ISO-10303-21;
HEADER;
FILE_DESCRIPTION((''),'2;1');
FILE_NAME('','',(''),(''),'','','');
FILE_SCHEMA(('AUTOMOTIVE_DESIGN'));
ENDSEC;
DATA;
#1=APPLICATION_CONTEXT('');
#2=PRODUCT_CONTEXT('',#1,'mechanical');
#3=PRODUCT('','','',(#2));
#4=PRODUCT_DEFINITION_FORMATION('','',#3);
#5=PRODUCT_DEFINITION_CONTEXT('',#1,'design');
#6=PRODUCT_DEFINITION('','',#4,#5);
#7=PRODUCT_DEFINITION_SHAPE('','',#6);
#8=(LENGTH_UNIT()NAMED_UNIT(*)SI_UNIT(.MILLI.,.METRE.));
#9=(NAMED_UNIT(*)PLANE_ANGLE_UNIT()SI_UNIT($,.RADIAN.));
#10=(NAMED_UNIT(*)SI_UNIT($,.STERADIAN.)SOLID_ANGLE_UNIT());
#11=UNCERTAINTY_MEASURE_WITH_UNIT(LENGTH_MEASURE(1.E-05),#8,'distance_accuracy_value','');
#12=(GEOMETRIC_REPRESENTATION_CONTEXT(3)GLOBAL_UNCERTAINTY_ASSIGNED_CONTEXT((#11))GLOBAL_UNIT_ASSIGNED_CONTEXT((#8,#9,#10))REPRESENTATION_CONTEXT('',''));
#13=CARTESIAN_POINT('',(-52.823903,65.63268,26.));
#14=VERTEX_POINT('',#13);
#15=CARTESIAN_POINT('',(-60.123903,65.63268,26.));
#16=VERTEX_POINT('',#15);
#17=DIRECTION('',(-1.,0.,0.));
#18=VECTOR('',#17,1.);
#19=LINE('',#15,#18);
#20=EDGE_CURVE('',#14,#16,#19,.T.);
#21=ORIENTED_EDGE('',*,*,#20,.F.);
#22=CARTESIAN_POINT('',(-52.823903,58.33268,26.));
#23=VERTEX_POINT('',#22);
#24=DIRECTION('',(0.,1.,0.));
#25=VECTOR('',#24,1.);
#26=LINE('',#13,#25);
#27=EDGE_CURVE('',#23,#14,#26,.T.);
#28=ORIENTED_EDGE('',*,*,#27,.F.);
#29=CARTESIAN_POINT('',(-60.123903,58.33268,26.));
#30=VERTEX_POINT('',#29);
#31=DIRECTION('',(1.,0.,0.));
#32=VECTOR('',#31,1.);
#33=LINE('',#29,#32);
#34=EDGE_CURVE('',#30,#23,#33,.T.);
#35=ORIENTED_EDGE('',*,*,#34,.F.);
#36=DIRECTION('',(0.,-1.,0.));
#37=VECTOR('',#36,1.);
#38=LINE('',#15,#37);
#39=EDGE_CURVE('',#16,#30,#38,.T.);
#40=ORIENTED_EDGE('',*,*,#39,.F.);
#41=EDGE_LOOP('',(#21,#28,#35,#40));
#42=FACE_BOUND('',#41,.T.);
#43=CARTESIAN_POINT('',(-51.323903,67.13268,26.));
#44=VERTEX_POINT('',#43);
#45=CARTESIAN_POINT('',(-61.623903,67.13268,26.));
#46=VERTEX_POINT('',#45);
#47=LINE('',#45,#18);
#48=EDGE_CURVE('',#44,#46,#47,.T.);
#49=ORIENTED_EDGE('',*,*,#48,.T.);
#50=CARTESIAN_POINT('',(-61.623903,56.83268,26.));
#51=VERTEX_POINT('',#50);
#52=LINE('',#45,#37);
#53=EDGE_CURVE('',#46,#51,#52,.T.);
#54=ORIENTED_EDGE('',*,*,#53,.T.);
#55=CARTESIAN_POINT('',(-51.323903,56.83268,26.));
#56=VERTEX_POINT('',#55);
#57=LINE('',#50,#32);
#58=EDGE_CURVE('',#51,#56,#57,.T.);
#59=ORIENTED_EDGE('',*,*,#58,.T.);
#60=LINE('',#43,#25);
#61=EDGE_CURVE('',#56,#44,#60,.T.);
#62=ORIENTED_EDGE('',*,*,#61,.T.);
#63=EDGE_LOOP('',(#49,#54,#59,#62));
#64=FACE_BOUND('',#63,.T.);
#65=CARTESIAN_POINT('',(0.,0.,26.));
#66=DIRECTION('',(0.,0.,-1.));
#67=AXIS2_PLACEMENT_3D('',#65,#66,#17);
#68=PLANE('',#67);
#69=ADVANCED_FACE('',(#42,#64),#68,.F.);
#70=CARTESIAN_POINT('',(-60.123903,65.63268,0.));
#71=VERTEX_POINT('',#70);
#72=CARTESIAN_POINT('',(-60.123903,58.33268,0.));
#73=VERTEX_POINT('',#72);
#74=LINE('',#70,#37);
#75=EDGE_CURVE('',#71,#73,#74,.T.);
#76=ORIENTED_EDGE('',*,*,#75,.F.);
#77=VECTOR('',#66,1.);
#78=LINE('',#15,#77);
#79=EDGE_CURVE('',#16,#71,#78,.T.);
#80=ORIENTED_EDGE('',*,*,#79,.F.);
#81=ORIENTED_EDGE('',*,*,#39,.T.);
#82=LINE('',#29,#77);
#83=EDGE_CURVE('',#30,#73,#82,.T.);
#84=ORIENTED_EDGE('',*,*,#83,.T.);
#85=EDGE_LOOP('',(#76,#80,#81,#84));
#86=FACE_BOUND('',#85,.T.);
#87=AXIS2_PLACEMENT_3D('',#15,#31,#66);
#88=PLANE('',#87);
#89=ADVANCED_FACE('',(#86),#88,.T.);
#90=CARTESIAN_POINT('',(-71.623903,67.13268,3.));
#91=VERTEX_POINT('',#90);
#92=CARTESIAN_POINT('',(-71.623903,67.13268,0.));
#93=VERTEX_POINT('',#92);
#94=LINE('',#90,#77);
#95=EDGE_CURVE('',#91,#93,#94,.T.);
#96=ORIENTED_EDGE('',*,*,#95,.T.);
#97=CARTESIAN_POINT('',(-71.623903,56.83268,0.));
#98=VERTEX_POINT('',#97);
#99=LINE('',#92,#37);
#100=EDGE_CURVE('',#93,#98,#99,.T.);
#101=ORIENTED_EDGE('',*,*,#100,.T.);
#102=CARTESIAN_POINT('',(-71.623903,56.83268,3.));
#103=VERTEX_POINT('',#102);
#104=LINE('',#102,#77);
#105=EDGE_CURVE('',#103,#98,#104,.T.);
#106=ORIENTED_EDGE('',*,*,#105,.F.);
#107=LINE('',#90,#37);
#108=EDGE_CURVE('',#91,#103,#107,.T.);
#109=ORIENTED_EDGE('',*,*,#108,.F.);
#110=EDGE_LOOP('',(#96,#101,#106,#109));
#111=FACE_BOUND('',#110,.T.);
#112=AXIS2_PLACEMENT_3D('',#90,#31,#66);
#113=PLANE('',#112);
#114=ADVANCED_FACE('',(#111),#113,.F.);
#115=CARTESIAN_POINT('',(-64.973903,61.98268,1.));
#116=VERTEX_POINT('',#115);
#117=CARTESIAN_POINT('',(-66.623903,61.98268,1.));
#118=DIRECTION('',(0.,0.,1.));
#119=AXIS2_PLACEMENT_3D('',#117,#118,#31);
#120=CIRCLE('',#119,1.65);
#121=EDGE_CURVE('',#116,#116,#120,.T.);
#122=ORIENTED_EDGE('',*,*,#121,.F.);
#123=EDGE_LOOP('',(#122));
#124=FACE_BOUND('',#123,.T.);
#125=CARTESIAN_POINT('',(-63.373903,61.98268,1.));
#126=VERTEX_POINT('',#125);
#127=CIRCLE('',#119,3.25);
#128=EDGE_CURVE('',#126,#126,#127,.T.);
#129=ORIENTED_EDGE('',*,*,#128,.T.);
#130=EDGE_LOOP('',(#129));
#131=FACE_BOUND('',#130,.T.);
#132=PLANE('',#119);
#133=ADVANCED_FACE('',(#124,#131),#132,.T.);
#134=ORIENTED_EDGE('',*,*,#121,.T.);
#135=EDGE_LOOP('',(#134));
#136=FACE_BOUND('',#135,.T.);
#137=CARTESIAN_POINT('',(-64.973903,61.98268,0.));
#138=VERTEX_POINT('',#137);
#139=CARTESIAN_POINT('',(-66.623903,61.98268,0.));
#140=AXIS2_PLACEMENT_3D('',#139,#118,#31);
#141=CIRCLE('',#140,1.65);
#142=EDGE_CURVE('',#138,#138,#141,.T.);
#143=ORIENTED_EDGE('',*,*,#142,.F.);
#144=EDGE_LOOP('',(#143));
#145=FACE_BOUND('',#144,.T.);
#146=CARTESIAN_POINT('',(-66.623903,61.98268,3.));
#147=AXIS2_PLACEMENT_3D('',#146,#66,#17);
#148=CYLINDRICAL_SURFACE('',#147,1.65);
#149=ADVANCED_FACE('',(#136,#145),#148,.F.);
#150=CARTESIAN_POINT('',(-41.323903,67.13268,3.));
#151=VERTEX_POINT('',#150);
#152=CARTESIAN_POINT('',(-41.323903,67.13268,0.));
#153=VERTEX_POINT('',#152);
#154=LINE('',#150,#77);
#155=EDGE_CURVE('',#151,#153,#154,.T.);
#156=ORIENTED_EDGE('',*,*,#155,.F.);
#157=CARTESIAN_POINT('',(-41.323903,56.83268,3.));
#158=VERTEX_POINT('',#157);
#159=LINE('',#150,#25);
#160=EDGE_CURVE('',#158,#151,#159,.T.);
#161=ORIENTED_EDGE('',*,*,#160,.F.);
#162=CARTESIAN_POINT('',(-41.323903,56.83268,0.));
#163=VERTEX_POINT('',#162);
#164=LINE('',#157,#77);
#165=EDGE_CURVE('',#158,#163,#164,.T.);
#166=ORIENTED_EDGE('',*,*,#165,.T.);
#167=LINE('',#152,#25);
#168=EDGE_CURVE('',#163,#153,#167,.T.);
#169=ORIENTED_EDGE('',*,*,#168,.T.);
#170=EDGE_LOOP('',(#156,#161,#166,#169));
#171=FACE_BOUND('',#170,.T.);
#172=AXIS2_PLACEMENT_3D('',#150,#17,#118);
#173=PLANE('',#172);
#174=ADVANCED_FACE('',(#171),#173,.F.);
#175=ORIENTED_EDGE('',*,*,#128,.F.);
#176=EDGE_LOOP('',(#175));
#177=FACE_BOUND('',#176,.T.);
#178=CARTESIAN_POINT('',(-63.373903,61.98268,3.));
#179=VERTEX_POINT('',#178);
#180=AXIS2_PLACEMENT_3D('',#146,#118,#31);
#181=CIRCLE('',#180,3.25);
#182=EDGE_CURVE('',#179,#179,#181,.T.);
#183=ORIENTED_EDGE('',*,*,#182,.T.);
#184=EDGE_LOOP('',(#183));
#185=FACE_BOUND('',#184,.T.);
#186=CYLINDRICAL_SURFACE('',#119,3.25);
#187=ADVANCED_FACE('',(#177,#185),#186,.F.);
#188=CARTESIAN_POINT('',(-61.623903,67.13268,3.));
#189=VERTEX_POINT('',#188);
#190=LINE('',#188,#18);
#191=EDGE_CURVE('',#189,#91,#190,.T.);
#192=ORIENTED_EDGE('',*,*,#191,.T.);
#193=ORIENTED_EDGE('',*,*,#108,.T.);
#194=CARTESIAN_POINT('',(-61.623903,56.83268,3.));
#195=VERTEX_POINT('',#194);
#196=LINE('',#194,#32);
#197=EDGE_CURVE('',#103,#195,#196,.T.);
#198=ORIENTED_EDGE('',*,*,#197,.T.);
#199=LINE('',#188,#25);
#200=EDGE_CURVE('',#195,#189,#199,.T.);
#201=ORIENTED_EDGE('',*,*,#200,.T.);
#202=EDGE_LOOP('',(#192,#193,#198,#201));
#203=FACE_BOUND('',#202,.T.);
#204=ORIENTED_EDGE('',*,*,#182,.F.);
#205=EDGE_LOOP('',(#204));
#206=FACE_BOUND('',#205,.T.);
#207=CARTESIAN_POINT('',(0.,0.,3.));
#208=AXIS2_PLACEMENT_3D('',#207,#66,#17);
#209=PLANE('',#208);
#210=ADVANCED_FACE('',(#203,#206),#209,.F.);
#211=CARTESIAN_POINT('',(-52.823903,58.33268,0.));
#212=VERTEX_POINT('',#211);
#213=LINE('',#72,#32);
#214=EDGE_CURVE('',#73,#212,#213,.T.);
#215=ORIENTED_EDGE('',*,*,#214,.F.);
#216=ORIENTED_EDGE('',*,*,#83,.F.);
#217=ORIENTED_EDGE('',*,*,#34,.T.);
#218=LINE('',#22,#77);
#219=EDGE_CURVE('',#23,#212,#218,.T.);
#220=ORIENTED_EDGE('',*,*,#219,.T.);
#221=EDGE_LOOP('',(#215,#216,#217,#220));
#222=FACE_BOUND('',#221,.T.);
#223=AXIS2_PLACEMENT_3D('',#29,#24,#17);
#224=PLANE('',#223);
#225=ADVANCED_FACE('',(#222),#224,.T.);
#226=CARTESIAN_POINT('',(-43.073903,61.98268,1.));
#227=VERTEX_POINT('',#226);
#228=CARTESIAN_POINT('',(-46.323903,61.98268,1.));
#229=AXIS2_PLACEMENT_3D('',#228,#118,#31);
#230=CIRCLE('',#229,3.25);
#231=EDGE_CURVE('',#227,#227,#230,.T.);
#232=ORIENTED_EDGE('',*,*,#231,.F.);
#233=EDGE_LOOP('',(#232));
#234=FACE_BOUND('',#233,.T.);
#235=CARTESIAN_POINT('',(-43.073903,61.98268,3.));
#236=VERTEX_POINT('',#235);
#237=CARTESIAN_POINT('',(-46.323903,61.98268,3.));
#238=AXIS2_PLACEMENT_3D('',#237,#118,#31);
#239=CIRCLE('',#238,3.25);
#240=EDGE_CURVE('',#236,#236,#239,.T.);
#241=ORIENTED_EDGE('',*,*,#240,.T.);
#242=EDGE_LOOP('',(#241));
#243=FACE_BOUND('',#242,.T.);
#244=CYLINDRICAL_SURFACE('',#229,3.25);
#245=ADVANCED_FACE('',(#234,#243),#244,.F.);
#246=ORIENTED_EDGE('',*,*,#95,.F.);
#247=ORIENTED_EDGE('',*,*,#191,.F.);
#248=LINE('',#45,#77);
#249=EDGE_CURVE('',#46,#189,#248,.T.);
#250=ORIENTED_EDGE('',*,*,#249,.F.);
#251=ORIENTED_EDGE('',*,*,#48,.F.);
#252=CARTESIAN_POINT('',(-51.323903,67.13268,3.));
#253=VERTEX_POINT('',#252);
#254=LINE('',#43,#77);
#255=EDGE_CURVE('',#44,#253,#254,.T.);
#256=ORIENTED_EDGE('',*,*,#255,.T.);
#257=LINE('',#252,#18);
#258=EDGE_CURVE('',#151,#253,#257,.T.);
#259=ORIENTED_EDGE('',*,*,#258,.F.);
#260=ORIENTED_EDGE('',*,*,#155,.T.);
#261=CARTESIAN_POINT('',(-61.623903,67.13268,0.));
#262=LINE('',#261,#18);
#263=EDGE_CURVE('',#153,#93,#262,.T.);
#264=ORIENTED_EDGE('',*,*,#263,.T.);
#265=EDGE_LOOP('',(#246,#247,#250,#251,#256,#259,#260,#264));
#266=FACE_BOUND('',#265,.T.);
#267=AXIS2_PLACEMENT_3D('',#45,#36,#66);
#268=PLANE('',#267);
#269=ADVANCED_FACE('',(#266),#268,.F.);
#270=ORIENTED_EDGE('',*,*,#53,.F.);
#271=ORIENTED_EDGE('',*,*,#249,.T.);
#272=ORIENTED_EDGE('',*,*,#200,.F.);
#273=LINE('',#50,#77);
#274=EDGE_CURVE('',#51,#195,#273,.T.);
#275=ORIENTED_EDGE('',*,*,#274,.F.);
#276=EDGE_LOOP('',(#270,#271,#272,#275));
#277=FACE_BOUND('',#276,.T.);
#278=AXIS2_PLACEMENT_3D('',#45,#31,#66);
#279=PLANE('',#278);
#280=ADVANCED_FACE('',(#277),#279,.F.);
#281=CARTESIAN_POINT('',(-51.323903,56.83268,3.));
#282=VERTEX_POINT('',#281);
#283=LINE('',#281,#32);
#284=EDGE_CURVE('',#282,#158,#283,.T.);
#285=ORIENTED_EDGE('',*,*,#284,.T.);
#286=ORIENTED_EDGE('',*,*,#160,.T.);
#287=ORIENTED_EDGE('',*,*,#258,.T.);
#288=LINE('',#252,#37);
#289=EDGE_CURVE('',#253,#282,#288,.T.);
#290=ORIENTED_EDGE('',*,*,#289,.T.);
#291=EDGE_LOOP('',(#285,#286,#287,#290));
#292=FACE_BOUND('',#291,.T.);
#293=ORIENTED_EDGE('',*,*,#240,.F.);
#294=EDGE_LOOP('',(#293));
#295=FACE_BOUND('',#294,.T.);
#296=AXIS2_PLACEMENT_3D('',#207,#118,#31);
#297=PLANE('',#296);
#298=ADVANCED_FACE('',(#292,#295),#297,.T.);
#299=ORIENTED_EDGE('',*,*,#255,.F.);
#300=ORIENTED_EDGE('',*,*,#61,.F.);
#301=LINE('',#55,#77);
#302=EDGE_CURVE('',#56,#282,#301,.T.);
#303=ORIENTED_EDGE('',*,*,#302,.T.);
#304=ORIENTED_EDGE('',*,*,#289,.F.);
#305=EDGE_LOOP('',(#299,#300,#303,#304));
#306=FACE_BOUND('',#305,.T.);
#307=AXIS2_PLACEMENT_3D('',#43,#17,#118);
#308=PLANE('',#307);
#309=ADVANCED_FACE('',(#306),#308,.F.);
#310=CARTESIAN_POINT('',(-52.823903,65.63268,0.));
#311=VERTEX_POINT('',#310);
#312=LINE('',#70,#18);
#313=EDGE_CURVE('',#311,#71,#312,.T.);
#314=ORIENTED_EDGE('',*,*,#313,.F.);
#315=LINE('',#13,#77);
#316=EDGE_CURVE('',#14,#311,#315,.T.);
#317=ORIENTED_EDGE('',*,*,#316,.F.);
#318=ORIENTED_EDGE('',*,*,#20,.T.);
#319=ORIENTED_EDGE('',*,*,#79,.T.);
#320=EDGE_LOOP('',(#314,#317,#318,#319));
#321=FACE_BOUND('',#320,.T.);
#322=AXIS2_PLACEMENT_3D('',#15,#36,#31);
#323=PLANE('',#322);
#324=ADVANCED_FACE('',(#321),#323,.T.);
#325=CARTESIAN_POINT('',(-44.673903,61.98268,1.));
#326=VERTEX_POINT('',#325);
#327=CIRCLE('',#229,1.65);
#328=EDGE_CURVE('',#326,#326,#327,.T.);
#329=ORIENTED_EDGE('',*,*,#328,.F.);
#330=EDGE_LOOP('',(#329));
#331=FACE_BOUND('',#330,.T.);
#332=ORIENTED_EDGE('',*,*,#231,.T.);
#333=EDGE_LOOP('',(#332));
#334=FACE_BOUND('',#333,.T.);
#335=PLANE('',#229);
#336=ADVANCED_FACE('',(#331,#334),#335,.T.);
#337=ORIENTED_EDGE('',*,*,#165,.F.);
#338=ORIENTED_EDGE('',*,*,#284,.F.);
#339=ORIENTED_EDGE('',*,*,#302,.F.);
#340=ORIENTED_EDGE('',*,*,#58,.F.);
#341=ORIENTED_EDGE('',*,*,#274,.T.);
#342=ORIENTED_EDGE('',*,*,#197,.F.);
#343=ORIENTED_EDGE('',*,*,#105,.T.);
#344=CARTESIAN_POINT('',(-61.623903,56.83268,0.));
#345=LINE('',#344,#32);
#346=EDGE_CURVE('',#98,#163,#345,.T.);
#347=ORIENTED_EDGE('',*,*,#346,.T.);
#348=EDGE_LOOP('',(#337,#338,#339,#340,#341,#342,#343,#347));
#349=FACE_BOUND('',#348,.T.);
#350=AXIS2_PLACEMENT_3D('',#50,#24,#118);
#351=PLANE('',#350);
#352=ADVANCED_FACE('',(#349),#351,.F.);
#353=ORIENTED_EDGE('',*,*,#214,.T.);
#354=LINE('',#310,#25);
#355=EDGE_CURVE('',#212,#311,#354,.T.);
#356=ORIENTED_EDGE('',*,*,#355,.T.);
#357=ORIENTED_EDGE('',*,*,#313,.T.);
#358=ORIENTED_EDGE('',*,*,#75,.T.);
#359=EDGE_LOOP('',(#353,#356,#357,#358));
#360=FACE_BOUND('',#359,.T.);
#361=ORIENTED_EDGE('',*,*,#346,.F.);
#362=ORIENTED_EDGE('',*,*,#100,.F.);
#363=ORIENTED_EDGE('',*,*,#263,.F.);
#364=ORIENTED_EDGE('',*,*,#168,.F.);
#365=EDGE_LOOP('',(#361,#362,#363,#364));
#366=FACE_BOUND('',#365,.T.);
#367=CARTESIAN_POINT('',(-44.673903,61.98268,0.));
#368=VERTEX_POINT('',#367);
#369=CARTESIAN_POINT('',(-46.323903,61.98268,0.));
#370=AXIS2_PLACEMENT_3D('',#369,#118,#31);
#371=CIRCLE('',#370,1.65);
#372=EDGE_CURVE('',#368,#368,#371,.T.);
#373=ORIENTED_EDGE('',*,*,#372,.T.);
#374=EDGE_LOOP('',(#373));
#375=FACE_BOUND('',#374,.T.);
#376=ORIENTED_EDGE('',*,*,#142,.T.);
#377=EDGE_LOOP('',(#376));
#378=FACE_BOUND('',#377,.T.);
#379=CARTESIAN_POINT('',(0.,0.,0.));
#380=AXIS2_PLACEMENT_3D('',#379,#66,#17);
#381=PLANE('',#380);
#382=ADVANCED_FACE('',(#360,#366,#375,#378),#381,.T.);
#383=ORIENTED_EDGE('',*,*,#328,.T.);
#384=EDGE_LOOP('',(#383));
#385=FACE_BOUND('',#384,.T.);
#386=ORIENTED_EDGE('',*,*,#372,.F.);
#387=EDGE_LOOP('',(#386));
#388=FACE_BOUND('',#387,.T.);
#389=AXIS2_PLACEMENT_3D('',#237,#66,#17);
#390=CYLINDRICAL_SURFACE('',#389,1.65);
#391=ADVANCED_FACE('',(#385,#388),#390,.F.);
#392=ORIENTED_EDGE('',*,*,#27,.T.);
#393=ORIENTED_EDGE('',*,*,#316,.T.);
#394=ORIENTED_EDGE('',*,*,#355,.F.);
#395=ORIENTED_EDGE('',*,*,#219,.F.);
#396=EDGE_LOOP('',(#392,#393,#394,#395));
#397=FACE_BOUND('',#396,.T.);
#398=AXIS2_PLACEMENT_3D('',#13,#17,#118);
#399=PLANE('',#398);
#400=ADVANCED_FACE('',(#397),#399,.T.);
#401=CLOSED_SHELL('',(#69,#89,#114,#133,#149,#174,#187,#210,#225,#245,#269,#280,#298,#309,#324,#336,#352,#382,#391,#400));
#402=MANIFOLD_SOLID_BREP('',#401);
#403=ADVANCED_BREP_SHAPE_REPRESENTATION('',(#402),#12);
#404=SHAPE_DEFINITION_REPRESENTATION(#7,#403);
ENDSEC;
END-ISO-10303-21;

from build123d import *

# Parameters (mm, degrees)
CROQUIS1_W              = 10.3
CROQUIS1_H              = 10.3
CROQUIS1_W_2            = 7.3
CROQUIS1_H_2            = 7.3
SALIENTE_EXTRUIR1_DEPTH = 26
CROQUIS2_W              = 10
CROQUIS2_H              = 10.3
CROQUIS2_R              = 1.65
SALIENTE_EXTRUIR2_DEPTH = 3
CROQUIS3_R              = 3.25
CORTAR_EXTRUIR1_DEPTH   = 2


with BuildPart() as part:
    # Croquis1 → Saliente-Extruir1 (new body)
    with BuildSketch(Plane.XY):
        with Locations((-56.473903104, 61.98267988)):
            Rectangle(CROQUIS1_W, CROQUIS1_H)
        with Locations((-56.473903104, 61.98267988)):
            Rectangle(CROQUIS1_W_2, CROQUIS1_H_2, mode=Mode.SUBTRACT)
    extrude(amount=SALIENTE_EXTRUIR1_DEPTH)

    # Croquis2 → Saliente-Extruir2 (add)
    with BuildSketch(Plane.XY):
        with Locations((-46.323903104, 61.98267988)):
            Rectangle(CROQUIS2_W, CROQUIS2_H)
        with Locations((-46.323903104, 61.98267988)):
            Circle(CROQUIS2_R, mode=Mode.SUBTRACT)
        with Locations((-66.623903104, 61.98267988)):
            Rectangle(CROQUIS2_W, CROQUIS2_H)
        with Locations((-66.623903104, 61.98267988)):
            Circle(CROQUIS2_R, mode=Mode.SUBTRACT)
    extrude(amount=SALIENTE_EXTRUIR2_DEPTH)

    # Croquis3 → Cortar-Extruir1 (cut)
    with BuildSketch(Plane.XY.offset(3)):
        with Locations((-66.623903104, 61.98267988)):
            Circle(CROQUIS3_R)
        with Locations((-46.323903104, 61.98267988)):
            Circle(CROQUIS3_R)
    extrude(amount=-CORTAR_EXTRUIR1_DEPTH, mode=Mode.SUBTRACT)


solid = part.part
